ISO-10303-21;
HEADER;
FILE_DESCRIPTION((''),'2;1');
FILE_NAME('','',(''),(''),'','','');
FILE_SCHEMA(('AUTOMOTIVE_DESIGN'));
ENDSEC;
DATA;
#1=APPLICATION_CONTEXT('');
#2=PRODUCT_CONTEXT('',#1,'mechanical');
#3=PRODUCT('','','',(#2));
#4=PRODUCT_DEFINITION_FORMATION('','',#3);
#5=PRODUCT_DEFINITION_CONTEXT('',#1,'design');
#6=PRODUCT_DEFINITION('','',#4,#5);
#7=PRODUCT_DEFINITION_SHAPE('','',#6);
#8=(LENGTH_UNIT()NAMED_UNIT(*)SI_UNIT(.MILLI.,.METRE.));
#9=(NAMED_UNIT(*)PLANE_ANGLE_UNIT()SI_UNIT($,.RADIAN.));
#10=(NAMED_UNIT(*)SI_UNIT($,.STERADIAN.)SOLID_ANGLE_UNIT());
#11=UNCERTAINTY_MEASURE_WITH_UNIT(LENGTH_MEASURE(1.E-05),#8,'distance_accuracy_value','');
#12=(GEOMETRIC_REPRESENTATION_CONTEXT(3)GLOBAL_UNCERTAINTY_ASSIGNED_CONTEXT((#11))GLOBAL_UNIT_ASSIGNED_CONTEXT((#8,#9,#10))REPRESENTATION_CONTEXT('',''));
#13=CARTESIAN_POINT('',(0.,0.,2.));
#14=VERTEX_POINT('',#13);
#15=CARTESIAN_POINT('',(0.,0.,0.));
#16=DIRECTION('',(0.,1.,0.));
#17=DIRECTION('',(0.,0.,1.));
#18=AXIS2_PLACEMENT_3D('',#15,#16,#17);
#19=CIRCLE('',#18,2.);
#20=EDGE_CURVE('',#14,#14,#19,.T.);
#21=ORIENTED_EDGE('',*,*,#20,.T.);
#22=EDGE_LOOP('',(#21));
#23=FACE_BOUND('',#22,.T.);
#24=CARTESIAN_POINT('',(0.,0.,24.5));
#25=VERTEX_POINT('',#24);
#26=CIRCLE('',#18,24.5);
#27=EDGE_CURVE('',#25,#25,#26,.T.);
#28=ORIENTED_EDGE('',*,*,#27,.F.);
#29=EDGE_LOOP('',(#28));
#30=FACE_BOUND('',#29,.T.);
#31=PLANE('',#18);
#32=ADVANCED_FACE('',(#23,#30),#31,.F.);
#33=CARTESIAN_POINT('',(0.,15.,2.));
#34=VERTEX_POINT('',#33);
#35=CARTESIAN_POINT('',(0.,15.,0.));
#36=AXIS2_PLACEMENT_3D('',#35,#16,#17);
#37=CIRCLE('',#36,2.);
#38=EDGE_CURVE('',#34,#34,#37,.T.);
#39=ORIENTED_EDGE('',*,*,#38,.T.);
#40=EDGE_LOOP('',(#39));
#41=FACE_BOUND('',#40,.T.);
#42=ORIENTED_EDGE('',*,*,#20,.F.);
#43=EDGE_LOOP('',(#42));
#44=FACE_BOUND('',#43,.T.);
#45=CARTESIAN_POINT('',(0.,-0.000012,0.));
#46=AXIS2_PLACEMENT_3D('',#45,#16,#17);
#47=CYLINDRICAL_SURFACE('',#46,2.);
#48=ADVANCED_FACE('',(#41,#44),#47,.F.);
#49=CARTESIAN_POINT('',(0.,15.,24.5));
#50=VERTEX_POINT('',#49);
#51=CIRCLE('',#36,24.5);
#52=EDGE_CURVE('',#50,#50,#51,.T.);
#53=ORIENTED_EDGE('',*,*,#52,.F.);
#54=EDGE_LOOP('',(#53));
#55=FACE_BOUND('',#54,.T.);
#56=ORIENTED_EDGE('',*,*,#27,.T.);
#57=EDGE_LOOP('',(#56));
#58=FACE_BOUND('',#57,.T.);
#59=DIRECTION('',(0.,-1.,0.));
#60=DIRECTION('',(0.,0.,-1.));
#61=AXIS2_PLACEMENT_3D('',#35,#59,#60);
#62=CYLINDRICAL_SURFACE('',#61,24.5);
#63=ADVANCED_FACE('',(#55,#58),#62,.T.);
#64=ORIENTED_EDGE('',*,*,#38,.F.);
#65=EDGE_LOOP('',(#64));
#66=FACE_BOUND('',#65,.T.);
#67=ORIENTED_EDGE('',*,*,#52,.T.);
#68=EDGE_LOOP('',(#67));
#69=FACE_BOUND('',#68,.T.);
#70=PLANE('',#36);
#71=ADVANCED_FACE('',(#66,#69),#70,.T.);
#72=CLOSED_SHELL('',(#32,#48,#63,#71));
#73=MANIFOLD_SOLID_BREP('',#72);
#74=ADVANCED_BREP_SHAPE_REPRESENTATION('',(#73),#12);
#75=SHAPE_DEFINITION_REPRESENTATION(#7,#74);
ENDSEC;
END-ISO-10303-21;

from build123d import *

# Parameters (mm, degrees)
SKETCH1_R               = 24.5
BOSS_EXTRUDE1_DEPTH     = 15
SKETCH2_R               = 2
CUT_EXTRUDE1_DEPTH      = 16
CUT_EXTRUDE1_DEPTH_BACK = 1


with BuildPart() as part:
    # Sketch1 → Boss-Extrude1 (new body)
    with BuildSketch(Plane(origin=(0, 0, 0), x_dir=(1, 0, 0), z_dir=(0, 1, 0))):
        Circle(SKETCH1_R)
    extrude(amount=BOSS_EXTRUDE1_DEPTH)

    # Sketch2 → Cut-Extrude1 (cut, two sides)
    with BuildSketch(Plane(origin=(0, 0, 0), x_dir=(1, 0, 0), z_dir=(0, 1, 0))) as cut_extrude1_sk:
        Circle(SKETCH2_R)
    extrude(amount=CUT_EXTRUDE1_DEPTH, mode=Mode.SUBTRACT)
    extrude(cut_extrude1_sk.sketch, amount=-CUT_EXTRUDE1_DEPTH_BACK, mode=Mode.SUBTRACT)


solid = part.part
